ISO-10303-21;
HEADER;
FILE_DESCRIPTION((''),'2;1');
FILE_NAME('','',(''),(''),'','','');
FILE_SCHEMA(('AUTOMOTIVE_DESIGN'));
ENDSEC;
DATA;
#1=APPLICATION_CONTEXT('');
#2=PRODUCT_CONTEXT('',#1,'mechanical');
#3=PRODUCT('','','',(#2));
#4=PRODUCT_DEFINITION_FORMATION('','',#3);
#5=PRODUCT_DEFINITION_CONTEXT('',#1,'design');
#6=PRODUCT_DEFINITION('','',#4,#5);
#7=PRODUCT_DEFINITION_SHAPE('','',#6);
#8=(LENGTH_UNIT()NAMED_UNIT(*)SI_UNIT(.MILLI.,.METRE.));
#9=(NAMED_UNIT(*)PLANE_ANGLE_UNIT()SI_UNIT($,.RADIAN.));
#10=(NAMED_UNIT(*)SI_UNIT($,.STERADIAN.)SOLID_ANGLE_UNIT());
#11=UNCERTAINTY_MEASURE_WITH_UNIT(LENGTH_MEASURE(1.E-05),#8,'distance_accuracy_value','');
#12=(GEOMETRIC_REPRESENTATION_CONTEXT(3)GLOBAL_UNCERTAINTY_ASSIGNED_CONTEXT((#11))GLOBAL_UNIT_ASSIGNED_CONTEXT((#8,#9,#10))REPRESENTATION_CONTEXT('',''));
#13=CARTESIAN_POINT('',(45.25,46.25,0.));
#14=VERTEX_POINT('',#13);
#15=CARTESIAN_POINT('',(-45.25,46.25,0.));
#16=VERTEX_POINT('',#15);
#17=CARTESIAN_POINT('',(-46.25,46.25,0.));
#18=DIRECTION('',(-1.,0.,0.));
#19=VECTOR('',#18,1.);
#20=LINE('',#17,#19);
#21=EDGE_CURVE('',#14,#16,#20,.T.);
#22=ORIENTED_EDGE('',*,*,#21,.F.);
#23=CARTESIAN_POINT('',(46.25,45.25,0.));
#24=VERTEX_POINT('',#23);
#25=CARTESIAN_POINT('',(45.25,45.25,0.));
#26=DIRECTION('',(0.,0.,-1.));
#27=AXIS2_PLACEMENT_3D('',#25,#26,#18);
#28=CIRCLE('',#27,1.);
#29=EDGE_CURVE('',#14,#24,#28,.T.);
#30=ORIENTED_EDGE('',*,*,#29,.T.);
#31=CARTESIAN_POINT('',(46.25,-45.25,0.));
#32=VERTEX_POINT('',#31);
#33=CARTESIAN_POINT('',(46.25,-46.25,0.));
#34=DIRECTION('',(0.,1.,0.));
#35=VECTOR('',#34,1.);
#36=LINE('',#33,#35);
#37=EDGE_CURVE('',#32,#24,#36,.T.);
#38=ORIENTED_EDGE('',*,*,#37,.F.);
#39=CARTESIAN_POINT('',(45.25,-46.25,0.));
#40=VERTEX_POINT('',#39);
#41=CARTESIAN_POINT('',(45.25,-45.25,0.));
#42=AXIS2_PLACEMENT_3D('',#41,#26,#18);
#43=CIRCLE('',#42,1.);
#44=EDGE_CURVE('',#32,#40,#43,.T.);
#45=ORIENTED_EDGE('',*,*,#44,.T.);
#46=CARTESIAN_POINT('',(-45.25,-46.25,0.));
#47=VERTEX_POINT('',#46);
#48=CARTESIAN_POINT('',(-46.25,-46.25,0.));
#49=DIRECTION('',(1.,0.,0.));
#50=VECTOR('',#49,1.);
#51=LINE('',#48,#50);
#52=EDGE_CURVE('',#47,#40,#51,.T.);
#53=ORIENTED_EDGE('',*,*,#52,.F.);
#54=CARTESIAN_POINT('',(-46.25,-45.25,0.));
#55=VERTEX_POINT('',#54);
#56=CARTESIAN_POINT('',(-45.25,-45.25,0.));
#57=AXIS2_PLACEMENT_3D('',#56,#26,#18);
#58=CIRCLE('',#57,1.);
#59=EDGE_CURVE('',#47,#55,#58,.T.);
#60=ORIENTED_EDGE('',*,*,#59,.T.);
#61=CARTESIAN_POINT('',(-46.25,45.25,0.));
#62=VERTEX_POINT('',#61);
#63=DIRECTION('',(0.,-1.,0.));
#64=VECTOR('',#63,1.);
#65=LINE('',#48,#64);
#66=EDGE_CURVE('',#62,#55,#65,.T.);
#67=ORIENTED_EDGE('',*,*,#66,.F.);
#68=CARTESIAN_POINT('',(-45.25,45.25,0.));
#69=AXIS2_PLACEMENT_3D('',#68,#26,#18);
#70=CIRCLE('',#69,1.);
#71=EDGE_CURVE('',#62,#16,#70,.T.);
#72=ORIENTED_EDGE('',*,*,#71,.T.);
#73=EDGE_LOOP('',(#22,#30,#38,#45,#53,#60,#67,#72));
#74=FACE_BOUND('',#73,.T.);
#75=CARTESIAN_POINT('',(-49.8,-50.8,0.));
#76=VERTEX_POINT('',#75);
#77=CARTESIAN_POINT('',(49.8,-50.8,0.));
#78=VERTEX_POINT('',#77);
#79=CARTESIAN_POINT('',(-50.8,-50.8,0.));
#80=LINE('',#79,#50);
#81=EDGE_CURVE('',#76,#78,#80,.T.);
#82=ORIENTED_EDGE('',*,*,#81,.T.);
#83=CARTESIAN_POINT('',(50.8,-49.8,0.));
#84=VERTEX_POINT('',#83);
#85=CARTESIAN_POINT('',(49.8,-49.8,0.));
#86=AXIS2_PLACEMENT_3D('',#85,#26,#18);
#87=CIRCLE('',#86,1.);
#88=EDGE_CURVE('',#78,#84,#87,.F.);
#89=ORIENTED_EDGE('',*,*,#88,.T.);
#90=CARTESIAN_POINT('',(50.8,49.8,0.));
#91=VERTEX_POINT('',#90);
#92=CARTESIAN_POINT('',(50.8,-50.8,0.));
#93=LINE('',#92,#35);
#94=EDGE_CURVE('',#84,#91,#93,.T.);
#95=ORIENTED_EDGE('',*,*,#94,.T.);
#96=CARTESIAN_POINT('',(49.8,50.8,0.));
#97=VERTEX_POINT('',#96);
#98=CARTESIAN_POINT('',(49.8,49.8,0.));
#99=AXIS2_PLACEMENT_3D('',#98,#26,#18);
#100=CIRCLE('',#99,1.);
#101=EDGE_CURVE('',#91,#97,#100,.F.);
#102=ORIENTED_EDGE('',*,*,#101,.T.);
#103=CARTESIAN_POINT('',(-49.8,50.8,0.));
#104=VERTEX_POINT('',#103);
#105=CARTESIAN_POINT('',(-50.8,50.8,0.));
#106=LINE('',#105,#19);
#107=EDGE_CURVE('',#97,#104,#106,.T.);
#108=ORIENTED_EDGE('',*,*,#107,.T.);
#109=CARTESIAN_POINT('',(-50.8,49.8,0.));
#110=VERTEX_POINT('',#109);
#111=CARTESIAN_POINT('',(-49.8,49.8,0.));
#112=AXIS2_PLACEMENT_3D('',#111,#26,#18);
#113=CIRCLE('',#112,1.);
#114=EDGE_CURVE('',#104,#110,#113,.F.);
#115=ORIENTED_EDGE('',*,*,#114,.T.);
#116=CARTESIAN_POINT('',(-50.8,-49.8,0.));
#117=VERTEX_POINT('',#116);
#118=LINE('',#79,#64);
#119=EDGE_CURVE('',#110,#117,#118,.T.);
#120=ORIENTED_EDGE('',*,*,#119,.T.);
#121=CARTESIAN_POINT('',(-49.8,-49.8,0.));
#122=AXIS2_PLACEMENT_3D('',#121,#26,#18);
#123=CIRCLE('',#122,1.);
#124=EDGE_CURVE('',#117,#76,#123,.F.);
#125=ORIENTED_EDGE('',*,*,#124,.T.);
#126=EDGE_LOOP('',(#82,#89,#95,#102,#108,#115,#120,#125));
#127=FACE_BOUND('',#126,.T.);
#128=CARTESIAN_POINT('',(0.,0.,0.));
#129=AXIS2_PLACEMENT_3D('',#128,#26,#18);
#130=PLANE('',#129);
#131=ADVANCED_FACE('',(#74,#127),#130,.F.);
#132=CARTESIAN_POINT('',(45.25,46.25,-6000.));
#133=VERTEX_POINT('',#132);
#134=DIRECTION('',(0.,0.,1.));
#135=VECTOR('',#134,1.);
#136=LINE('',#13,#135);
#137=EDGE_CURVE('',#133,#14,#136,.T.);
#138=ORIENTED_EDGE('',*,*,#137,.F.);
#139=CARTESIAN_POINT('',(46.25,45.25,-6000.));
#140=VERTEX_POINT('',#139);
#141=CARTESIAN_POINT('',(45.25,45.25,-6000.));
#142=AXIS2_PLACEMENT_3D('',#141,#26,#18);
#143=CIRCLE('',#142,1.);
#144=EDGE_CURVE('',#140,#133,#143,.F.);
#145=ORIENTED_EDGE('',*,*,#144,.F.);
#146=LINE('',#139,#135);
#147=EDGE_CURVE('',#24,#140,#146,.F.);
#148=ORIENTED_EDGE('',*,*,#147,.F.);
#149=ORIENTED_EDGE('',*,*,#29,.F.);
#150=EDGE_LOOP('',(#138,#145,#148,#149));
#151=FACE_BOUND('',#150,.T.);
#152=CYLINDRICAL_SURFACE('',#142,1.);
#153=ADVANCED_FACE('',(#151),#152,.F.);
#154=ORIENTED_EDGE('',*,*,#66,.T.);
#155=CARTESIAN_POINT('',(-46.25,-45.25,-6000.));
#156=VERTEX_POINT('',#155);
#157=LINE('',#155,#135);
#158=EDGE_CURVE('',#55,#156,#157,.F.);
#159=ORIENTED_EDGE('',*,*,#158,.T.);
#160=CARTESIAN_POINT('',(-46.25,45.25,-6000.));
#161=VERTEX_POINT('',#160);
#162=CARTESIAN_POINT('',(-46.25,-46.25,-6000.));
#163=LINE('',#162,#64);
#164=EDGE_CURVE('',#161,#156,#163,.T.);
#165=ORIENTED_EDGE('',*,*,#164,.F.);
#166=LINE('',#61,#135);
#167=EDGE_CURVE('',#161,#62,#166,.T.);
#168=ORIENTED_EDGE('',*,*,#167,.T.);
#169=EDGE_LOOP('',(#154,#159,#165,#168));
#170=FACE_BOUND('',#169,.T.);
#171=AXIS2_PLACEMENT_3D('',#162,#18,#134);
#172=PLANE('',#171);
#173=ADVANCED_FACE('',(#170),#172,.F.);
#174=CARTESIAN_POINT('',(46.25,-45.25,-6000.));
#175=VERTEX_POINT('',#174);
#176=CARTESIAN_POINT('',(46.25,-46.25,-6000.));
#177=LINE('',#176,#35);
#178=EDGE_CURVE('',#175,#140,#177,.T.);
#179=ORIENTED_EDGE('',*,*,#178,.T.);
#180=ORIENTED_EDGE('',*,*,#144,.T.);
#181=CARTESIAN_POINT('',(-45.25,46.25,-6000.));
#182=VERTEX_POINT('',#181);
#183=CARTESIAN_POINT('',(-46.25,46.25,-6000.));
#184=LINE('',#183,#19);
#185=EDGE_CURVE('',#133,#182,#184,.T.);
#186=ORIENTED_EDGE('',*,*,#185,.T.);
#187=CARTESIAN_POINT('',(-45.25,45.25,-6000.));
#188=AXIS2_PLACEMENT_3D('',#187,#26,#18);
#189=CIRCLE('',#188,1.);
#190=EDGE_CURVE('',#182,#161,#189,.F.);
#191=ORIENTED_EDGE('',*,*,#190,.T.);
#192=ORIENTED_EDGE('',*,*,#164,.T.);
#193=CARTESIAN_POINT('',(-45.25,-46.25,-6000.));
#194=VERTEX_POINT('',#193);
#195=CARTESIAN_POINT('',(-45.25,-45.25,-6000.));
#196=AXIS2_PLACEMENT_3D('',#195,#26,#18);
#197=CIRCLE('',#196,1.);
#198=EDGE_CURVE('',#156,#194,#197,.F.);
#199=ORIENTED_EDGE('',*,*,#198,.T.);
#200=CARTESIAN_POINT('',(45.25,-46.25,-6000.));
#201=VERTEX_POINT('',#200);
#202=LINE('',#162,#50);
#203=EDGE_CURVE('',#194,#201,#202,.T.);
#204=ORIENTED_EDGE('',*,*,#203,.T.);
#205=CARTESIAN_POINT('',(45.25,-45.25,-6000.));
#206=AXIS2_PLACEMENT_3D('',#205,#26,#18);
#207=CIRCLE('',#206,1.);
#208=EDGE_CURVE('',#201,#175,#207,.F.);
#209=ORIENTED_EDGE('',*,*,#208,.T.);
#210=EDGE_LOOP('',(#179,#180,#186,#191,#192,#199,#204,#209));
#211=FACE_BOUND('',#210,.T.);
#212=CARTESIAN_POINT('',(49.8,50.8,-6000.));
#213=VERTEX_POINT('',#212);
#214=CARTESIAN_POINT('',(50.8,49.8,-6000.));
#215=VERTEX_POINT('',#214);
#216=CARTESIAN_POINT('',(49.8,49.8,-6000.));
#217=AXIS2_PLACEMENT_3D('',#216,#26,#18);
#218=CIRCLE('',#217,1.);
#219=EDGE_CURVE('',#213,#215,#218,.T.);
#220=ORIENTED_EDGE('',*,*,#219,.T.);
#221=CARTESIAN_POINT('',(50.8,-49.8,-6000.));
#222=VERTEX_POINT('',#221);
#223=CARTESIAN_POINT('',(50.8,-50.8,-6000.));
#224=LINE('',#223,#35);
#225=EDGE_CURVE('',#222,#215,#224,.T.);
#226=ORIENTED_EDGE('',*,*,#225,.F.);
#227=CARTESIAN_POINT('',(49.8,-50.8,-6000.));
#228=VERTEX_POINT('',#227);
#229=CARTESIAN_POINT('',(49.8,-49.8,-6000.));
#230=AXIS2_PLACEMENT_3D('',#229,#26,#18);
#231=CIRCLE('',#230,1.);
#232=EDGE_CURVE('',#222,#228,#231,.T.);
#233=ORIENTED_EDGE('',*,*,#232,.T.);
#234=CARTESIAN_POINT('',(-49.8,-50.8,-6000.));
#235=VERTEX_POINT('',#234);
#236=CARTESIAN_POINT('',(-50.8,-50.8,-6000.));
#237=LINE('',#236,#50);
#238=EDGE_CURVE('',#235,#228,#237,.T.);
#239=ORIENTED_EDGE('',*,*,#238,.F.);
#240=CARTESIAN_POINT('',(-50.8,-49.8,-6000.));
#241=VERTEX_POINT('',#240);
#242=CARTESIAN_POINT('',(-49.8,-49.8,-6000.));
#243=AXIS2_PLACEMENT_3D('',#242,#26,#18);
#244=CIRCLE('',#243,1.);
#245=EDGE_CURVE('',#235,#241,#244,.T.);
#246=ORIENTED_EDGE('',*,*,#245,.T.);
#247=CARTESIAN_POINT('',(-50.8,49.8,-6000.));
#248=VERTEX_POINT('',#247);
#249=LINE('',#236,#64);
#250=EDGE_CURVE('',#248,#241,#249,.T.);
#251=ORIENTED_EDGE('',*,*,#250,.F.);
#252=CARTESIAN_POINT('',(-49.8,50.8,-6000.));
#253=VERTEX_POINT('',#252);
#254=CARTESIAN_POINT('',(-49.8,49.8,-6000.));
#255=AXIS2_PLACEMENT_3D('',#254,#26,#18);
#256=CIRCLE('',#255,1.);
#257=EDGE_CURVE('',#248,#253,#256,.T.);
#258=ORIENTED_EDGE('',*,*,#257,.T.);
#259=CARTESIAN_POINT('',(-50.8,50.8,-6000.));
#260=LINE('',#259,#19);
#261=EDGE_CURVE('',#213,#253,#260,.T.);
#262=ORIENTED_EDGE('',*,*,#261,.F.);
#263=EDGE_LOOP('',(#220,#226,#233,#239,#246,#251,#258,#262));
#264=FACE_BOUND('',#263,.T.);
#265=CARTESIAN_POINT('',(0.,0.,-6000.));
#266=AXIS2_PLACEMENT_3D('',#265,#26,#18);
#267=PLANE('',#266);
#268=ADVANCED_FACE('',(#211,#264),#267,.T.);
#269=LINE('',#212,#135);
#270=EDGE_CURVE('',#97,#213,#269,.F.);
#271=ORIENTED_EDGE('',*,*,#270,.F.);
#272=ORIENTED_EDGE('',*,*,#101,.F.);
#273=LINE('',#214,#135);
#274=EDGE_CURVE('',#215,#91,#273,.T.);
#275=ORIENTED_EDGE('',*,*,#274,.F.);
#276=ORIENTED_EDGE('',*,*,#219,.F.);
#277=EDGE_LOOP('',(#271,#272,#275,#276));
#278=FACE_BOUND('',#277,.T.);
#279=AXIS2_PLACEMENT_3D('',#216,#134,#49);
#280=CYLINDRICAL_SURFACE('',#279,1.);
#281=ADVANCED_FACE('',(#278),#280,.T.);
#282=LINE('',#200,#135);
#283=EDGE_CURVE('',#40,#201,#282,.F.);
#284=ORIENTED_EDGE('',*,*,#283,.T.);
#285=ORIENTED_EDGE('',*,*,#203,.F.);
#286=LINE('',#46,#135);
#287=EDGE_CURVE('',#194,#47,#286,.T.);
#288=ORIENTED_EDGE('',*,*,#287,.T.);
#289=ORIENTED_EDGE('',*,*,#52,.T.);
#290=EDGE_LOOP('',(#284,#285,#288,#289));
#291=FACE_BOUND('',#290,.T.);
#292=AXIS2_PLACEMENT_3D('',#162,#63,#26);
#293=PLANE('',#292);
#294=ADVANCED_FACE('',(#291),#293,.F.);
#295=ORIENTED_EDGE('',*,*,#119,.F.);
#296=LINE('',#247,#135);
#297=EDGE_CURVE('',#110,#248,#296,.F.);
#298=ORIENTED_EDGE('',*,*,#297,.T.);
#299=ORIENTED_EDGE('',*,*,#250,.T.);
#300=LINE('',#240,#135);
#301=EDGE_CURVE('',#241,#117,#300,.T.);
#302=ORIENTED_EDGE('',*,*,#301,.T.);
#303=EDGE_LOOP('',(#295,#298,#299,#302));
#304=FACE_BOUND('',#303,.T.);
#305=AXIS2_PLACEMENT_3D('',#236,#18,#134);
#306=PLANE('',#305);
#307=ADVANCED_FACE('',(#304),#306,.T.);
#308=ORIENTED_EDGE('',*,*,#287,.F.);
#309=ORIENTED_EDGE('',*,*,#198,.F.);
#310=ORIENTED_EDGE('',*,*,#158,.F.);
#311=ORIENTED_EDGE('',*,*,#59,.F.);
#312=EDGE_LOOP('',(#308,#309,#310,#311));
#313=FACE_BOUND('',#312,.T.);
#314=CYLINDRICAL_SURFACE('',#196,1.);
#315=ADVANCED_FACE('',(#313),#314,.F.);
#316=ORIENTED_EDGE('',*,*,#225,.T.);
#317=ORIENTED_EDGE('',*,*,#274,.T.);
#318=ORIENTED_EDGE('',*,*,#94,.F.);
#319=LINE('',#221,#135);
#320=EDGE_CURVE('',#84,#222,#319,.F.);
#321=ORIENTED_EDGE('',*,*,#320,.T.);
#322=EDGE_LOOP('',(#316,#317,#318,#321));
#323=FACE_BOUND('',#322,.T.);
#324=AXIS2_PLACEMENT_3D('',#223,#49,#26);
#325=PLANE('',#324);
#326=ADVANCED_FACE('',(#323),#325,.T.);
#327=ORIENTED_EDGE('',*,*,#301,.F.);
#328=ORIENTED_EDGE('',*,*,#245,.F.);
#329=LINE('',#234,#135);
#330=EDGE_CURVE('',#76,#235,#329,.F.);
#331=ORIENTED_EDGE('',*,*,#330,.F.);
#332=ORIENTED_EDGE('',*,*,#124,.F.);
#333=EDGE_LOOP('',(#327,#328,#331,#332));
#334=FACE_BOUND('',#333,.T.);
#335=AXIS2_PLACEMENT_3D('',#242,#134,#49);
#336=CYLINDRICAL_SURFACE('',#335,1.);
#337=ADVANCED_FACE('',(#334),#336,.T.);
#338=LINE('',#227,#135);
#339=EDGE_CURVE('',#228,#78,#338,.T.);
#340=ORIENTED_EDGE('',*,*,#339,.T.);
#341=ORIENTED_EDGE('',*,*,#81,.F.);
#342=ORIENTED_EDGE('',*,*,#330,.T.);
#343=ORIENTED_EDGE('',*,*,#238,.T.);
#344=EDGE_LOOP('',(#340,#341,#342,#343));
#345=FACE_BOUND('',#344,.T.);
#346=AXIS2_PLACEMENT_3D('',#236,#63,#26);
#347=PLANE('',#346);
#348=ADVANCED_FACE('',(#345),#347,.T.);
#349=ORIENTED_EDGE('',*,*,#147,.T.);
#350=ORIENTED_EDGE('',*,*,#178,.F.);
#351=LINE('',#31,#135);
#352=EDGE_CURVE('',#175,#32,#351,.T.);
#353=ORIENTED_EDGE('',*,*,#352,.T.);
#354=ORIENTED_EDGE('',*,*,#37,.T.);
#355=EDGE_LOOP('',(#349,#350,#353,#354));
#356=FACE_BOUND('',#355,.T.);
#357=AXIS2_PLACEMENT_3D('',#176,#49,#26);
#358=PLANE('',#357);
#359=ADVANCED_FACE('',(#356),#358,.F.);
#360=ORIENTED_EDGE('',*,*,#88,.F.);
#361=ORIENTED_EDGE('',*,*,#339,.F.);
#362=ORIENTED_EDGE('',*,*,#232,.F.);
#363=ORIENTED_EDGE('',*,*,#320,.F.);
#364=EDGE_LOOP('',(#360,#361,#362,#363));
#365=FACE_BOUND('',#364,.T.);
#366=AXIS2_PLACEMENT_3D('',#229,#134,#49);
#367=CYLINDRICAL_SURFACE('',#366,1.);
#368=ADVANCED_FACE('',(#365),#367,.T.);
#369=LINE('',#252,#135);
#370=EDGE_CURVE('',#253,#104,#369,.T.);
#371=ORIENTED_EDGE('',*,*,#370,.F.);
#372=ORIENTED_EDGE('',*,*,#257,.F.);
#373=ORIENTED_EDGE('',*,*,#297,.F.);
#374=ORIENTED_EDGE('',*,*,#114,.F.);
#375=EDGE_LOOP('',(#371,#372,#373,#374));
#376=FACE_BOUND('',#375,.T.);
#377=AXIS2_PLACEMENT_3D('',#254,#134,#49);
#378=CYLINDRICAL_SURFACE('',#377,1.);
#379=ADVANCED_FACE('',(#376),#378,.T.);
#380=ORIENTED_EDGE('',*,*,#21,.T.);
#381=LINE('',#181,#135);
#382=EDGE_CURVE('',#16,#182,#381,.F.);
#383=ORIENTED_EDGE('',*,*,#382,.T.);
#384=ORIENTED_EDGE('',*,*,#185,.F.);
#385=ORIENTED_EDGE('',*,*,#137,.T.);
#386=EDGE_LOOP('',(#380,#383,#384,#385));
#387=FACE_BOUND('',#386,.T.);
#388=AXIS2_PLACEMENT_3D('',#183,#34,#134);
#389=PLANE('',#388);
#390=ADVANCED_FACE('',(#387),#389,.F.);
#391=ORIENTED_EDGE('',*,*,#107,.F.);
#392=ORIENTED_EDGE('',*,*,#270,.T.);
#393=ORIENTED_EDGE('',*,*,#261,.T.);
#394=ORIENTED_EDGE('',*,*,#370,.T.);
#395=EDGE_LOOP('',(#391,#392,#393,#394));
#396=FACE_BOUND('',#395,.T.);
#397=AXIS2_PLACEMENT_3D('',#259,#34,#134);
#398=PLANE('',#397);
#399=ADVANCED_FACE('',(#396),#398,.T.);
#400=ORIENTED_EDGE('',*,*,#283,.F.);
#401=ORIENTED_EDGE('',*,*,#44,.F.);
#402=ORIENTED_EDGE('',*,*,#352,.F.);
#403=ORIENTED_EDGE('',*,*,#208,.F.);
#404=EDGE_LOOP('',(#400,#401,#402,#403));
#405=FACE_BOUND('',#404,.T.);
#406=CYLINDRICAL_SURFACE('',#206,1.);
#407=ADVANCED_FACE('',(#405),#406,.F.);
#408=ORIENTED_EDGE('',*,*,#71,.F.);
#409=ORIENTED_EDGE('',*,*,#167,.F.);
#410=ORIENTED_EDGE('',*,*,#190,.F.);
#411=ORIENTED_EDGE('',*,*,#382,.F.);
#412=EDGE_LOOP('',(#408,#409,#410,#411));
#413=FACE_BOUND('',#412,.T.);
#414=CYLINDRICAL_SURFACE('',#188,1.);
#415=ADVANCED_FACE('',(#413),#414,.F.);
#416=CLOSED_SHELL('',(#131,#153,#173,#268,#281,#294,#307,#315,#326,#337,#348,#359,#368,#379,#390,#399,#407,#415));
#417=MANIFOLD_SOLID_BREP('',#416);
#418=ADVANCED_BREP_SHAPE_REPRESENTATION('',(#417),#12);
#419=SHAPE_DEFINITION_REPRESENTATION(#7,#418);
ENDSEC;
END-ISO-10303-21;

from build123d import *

# Parameters (mm, degrees)
CROQUIS1_W              = 101.6
CROQUIS1_H              = 101.6
CROQUIS1_W_2            = 92.5
CROQUIS1_H_2            = 92.5
SALIENTE_EXTRUIR1_DEPTH = 6000
REDONDEO1_R             = 1


with BuildPart() as part:
    # Croquis1 → Saliente-Extruir1 (new body)
    with BuildSketch(Plane.XY):
        Rectangle(CROQUIS1_W, CROQUIS1_H)
        Rectangle(CROQUIS1_W_2, CROQUIS1_H_2, mode=Mode.SUBTRACT)
    extrude(amount=-SALIENTE_EXTRUIR1_DEPTH)

    # Redondeo1
    redondeo1_edges = [part.edges().sort_by_distance(p)[0] for p in [
        (46.25, -46.25, -3000),
        (-46.25, -46.25, -3000),
        (-46.25, 46.25, -3000),
        (46.25, 46.25, -3000),
        (50.8, -50.8, -3000),
        (-50.8, -50.8, -3000),
        (-50.8, 50.8, -3000),
        (50.8, 50.8, -3000),
    ]]
    fillet(redondeo1_edges, radius=REDONDEO1_R)


solid = part.part
